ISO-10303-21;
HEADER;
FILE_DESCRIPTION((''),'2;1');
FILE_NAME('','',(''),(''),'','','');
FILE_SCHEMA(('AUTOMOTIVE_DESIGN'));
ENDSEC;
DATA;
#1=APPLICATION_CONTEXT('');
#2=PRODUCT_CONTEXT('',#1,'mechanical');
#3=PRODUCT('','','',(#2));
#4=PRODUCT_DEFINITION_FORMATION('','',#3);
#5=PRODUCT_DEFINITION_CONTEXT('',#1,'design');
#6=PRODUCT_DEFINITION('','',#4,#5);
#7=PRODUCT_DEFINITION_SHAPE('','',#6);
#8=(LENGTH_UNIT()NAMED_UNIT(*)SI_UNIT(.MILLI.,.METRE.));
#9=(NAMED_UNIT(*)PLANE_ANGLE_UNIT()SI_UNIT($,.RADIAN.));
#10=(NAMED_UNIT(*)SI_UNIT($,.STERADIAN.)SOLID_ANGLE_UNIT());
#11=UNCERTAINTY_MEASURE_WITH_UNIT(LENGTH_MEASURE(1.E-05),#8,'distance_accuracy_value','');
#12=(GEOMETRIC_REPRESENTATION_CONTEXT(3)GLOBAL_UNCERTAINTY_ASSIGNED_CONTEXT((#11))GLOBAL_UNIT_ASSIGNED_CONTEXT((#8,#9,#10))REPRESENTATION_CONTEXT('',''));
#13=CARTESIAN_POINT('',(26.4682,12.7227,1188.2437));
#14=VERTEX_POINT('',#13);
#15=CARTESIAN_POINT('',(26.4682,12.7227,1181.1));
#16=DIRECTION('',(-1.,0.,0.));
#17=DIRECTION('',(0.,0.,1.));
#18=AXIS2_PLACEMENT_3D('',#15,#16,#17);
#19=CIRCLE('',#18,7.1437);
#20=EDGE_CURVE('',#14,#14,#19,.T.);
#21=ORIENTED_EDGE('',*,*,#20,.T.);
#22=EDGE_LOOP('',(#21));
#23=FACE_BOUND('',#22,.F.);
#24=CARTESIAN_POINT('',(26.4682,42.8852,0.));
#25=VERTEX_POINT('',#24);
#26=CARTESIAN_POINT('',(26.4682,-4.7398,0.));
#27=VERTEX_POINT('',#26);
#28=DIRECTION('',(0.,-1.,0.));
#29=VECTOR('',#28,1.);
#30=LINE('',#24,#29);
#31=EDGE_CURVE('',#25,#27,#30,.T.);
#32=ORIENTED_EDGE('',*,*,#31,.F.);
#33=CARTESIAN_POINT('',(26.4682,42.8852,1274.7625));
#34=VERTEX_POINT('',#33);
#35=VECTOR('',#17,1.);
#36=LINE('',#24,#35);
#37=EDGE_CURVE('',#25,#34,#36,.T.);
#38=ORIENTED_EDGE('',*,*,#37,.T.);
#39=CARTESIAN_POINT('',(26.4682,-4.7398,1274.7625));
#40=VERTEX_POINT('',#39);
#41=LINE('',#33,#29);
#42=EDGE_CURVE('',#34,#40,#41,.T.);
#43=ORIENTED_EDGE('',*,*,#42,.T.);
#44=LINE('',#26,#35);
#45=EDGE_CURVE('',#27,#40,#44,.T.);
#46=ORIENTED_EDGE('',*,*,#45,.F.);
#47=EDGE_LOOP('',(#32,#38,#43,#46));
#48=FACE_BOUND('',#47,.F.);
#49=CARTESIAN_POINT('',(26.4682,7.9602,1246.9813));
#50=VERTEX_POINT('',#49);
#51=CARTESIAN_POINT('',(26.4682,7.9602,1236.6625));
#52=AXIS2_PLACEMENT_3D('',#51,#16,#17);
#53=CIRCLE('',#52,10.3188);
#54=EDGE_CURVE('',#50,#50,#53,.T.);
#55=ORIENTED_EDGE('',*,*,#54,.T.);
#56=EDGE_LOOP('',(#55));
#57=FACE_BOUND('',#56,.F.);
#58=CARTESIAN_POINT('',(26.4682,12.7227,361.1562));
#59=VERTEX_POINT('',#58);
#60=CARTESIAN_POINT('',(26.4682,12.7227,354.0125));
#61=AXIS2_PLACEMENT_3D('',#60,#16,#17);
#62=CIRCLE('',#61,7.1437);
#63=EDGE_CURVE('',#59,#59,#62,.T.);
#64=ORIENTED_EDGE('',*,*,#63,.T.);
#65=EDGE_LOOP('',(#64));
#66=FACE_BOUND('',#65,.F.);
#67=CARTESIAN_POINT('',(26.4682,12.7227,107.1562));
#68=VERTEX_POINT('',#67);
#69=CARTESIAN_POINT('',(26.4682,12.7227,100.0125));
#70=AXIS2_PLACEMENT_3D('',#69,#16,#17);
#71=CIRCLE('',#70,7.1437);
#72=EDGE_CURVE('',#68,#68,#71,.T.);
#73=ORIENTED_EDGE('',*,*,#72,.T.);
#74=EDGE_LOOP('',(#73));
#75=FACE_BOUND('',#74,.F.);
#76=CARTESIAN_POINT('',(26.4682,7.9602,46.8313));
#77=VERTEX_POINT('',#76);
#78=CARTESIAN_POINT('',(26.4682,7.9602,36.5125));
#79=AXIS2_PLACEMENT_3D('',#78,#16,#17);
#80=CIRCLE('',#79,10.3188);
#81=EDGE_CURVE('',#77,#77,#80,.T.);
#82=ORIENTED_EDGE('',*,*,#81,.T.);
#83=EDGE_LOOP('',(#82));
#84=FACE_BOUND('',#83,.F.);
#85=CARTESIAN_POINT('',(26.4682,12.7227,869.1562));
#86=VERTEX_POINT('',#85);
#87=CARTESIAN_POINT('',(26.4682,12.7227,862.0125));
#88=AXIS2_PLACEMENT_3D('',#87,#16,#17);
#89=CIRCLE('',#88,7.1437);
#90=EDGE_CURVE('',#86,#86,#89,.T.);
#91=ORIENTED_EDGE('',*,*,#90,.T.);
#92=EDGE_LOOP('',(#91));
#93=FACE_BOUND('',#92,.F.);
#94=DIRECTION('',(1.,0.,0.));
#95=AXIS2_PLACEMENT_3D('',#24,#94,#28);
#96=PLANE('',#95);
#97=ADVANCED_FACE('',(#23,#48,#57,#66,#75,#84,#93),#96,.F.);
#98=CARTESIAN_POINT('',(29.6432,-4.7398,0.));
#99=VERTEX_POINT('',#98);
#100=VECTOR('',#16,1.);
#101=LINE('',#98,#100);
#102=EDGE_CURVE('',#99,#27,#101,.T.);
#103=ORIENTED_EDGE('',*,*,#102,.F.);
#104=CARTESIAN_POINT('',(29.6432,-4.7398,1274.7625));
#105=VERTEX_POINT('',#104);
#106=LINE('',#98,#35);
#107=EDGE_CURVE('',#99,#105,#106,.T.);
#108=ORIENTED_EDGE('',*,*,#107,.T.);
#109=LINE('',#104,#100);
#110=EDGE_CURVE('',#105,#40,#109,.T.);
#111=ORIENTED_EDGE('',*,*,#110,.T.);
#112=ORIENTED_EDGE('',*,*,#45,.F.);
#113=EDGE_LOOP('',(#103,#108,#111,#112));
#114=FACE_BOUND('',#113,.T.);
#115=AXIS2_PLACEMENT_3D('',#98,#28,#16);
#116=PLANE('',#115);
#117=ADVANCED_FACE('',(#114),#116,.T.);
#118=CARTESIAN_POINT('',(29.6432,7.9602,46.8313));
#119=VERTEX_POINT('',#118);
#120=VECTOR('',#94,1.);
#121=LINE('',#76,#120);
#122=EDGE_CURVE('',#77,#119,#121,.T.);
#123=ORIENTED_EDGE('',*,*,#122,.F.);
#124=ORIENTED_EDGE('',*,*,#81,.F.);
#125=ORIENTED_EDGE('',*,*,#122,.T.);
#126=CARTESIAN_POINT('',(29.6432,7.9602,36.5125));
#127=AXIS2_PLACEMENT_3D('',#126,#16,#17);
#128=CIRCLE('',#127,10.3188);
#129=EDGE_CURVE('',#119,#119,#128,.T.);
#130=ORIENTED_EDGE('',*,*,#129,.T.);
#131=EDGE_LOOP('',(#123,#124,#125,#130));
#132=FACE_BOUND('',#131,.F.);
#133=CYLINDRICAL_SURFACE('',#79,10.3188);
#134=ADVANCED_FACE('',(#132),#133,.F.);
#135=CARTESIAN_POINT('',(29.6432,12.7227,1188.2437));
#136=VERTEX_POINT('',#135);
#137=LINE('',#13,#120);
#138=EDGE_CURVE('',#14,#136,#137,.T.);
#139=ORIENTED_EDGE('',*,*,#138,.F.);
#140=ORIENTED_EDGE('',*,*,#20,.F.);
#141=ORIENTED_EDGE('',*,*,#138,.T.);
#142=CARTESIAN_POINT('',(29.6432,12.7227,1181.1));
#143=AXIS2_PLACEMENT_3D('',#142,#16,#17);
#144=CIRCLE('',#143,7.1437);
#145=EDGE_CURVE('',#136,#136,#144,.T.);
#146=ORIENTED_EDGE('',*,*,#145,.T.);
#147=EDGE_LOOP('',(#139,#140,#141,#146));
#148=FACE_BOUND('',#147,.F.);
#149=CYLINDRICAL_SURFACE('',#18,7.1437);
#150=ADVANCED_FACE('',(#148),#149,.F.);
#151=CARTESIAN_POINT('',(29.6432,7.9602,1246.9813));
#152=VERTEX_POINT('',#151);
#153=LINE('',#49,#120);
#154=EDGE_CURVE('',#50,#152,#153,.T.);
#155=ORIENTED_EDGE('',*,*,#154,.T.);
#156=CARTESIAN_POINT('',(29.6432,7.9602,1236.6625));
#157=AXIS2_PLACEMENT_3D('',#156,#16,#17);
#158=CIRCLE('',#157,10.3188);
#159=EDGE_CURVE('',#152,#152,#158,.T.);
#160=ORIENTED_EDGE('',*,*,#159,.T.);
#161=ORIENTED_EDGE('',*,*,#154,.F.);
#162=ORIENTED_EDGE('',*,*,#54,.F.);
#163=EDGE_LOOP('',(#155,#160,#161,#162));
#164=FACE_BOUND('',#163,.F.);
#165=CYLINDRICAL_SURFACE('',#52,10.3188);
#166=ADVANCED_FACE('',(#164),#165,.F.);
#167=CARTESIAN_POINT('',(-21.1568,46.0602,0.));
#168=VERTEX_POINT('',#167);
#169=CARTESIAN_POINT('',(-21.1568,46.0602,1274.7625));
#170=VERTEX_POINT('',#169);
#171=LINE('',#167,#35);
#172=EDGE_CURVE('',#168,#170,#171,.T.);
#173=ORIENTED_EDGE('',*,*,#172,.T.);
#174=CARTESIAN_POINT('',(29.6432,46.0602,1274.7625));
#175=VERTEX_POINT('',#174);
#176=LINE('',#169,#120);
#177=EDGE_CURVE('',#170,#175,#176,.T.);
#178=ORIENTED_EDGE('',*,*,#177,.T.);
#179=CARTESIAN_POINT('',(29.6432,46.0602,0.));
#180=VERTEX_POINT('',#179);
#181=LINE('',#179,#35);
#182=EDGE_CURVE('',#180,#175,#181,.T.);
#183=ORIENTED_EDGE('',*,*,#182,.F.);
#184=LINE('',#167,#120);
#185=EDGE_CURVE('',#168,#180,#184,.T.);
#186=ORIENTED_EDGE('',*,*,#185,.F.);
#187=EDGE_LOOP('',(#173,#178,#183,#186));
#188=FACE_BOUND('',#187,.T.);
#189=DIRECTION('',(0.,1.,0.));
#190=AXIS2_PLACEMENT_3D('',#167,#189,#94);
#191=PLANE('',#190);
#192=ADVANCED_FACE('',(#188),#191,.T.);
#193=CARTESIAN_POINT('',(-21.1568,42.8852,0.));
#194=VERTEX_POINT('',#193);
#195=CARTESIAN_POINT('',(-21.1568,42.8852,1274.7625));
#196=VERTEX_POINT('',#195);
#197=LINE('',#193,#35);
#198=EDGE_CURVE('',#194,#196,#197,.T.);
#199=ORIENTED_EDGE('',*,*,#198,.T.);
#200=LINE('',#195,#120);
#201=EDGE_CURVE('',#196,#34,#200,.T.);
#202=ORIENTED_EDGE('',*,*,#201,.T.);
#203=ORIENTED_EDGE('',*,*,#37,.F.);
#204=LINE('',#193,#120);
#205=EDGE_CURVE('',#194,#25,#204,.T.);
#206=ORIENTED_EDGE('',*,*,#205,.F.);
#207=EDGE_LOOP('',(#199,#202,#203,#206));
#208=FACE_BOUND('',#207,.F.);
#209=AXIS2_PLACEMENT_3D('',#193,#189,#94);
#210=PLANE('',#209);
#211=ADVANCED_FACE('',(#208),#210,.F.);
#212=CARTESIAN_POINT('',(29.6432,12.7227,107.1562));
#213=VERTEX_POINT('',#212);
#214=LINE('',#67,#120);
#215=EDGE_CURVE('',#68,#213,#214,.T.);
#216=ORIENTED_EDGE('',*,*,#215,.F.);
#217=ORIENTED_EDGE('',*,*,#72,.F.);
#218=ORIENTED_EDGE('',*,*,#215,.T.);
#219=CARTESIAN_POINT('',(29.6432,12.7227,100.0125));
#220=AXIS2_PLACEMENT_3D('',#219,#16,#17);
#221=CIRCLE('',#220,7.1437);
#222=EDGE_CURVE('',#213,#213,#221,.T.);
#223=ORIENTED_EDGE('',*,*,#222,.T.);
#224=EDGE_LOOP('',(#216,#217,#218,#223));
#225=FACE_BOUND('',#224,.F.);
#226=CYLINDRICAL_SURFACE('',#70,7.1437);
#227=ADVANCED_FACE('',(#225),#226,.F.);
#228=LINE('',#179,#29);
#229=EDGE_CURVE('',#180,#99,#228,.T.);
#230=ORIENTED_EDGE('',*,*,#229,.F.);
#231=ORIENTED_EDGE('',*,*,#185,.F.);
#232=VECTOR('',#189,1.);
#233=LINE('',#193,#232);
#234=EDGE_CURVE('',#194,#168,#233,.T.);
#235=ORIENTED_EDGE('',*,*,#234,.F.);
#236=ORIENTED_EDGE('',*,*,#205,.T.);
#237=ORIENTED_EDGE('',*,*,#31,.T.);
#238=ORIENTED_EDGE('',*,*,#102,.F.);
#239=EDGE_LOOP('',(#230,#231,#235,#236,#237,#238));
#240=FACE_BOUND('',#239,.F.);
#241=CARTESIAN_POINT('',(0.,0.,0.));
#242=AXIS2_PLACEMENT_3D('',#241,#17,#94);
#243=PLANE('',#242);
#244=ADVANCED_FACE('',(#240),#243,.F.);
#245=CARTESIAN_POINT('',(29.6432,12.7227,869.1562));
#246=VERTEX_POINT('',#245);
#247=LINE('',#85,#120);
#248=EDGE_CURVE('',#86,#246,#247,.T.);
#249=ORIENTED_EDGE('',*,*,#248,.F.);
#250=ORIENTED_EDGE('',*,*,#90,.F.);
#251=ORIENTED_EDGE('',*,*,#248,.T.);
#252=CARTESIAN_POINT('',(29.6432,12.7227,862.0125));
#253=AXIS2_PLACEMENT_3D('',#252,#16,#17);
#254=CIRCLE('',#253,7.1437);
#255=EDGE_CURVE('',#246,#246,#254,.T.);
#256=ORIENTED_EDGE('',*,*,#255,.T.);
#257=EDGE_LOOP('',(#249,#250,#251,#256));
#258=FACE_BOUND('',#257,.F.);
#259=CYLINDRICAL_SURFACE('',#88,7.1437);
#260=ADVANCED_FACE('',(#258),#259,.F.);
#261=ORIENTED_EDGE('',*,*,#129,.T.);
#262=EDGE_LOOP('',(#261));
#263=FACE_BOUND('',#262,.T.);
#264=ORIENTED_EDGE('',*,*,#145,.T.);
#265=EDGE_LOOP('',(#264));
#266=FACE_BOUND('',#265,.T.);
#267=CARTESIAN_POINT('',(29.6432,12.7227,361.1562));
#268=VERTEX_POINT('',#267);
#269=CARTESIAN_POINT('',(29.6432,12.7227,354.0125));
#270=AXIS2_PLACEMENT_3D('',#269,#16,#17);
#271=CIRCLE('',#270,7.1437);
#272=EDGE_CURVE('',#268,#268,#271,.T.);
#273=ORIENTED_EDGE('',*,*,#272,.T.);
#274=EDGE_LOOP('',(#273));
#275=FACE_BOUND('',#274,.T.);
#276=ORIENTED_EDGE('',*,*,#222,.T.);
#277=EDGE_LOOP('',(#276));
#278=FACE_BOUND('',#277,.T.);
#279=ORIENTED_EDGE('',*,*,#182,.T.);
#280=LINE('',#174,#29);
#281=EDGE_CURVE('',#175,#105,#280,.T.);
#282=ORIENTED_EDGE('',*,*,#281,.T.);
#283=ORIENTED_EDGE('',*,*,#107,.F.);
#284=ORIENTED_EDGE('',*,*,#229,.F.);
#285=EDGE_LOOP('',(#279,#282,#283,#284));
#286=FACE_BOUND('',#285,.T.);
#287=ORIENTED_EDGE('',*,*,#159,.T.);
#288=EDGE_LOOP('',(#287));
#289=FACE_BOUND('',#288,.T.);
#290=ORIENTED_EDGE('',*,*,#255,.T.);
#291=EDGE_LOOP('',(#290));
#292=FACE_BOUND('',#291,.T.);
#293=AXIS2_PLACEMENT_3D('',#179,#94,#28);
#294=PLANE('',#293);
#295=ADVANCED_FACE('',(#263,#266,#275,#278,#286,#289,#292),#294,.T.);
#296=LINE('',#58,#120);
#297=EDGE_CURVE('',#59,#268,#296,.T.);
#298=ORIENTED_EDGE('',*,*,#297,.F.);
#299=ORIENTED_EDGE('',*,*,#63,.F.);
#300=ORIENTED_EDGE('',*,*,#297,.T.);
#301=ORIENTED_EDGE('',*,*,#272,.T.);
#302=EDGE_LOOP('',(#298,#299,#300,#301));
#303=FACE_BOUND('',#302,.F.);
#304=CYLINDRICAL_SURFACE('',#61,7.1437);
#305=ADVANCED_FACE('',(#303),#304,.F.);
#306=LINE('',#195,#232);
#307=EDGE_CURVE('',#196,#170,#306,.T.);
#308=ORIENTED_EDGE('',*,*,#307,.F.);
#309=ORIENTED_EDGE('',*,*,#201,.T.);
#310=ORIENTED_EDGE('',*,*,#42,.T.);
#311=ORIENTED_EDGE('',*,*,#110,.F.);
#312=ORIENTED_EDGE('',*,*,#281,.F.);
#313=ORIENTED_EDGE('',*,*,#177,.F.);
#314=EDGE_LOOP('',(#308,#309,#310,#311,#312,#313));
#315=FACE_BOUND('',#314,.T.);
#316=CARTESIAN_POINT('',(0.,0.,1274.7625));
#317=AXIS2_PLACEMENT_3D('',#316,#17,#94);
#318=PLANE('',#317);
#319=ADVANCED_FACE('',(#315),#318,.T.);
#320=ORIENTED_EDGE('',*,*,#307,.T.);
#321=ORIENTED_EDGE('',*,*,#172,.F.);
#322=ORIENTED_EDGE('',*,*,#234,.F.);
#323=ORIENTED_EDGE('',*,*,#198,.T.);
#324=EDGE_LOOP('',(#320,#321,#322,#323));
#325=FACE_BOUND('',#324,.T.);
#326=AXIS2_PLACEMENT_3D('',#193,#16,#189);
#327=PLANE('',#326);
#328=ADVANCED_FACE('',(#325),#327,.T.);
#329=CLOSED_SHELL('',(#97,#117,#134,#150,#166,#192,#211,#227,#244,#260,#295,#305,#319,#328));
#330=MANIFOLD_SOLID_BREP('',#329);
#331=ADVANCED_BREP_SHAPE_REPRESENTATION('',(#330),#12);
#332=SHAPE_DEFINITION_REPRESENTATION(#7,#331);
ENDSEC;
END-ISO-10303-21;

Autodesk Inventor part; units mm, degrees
ref_plane "YZ Plane" through (0, 0, 0) normal (1, 0, 0) x (0, 1, 0)
ref_plane "XZ Plane" through (0, 0, 0) normal (0, 1, 0) x (-1, 0, 0)
ref_plane "XY Plane" through (0, 0, 0) normal (0, 0, 1) x (1, 0, 0)
sketch "Sketch1" plane through (0, 0, 0) normal (0, 0, 1) x (1, 0, 0)
  line L0 (-21.1568, 46.0602) -> (29.6432, 46.0602)
  line L1 (29.6432, 46.0602) -> (29.6432, -4.7398)
  line L2 (29.6432, -4.7398) -> (26.4682, -4.7398)
  line L3 (-21.1568, 42.8852) -> (-21.1568, 46.0602)
  line L4 (-21.1568, 42.8852) -> (26.4682, 42.8852)
  line L5 (26.4682, 42.8852) -> (26.4682, -4.7398)
  dimension "d0" = 50.8
  dimension "d1" = 50.8
  dimension "d2" = 3.175
  dimension "d3" = 3.175
extrude "Extrusion1" add sketch "Sketch1" along normal blind 1274.7625
sketch "Sketch2" plane through (26.4682, -4.7398, 0) normal (-1, 0, 0) x (0, 0, 1)
  circle A0 centre (36.5125, 12.7) radius 10.3188
  line L0 (0, 50.8) -> (1274.7625, 50.8) projected
  circle A1 centre (100.0125, 17.4625) radius 7.1437
  circle A2 centre (354.0125, 17.4625) radius 7.1437
  circle A3 centre (862.0125, 17.4625) radius 7.1437
  circle A4 centre (1181.1, 17.4625) radius 7.1437
  circle A5 centre (1236.6625, 12.7) radius 10.3188
  line L1 (1274.7625, 0) -> (1274.7625, 47.625) projected
  dimension "d8" = 20.6375
  dimension "d12" = 38.1
  dimension "d14" = 14.2875
  dimension "d15" = 14.2875
  dimension "d16" = 14.2875
  dimension "d17" = 14.2875
  dimension "d25" = 20.6375
  dimension "d26" = 38.1
  dimension "d27" = 38.1
  dimension "d28" = 93.6625
  dimension "d29" = 412.75
  dimension "d30" = 920.75
  dimension "d31" = 1174.75
  dimension "d33" = 1238.25
  dimension "d34" = 33.3375
extrude "Extrusion2" cut sketch "Sketch2" against normal blind 1812.925
equation "\"d15\" = d14"
equation "\"d16\" = d14"
equation "\"d17\" = d14"
equation "\"d25\" = d8"
equation "\"d26\" = d12"
properties part number "GE-09031-01"
